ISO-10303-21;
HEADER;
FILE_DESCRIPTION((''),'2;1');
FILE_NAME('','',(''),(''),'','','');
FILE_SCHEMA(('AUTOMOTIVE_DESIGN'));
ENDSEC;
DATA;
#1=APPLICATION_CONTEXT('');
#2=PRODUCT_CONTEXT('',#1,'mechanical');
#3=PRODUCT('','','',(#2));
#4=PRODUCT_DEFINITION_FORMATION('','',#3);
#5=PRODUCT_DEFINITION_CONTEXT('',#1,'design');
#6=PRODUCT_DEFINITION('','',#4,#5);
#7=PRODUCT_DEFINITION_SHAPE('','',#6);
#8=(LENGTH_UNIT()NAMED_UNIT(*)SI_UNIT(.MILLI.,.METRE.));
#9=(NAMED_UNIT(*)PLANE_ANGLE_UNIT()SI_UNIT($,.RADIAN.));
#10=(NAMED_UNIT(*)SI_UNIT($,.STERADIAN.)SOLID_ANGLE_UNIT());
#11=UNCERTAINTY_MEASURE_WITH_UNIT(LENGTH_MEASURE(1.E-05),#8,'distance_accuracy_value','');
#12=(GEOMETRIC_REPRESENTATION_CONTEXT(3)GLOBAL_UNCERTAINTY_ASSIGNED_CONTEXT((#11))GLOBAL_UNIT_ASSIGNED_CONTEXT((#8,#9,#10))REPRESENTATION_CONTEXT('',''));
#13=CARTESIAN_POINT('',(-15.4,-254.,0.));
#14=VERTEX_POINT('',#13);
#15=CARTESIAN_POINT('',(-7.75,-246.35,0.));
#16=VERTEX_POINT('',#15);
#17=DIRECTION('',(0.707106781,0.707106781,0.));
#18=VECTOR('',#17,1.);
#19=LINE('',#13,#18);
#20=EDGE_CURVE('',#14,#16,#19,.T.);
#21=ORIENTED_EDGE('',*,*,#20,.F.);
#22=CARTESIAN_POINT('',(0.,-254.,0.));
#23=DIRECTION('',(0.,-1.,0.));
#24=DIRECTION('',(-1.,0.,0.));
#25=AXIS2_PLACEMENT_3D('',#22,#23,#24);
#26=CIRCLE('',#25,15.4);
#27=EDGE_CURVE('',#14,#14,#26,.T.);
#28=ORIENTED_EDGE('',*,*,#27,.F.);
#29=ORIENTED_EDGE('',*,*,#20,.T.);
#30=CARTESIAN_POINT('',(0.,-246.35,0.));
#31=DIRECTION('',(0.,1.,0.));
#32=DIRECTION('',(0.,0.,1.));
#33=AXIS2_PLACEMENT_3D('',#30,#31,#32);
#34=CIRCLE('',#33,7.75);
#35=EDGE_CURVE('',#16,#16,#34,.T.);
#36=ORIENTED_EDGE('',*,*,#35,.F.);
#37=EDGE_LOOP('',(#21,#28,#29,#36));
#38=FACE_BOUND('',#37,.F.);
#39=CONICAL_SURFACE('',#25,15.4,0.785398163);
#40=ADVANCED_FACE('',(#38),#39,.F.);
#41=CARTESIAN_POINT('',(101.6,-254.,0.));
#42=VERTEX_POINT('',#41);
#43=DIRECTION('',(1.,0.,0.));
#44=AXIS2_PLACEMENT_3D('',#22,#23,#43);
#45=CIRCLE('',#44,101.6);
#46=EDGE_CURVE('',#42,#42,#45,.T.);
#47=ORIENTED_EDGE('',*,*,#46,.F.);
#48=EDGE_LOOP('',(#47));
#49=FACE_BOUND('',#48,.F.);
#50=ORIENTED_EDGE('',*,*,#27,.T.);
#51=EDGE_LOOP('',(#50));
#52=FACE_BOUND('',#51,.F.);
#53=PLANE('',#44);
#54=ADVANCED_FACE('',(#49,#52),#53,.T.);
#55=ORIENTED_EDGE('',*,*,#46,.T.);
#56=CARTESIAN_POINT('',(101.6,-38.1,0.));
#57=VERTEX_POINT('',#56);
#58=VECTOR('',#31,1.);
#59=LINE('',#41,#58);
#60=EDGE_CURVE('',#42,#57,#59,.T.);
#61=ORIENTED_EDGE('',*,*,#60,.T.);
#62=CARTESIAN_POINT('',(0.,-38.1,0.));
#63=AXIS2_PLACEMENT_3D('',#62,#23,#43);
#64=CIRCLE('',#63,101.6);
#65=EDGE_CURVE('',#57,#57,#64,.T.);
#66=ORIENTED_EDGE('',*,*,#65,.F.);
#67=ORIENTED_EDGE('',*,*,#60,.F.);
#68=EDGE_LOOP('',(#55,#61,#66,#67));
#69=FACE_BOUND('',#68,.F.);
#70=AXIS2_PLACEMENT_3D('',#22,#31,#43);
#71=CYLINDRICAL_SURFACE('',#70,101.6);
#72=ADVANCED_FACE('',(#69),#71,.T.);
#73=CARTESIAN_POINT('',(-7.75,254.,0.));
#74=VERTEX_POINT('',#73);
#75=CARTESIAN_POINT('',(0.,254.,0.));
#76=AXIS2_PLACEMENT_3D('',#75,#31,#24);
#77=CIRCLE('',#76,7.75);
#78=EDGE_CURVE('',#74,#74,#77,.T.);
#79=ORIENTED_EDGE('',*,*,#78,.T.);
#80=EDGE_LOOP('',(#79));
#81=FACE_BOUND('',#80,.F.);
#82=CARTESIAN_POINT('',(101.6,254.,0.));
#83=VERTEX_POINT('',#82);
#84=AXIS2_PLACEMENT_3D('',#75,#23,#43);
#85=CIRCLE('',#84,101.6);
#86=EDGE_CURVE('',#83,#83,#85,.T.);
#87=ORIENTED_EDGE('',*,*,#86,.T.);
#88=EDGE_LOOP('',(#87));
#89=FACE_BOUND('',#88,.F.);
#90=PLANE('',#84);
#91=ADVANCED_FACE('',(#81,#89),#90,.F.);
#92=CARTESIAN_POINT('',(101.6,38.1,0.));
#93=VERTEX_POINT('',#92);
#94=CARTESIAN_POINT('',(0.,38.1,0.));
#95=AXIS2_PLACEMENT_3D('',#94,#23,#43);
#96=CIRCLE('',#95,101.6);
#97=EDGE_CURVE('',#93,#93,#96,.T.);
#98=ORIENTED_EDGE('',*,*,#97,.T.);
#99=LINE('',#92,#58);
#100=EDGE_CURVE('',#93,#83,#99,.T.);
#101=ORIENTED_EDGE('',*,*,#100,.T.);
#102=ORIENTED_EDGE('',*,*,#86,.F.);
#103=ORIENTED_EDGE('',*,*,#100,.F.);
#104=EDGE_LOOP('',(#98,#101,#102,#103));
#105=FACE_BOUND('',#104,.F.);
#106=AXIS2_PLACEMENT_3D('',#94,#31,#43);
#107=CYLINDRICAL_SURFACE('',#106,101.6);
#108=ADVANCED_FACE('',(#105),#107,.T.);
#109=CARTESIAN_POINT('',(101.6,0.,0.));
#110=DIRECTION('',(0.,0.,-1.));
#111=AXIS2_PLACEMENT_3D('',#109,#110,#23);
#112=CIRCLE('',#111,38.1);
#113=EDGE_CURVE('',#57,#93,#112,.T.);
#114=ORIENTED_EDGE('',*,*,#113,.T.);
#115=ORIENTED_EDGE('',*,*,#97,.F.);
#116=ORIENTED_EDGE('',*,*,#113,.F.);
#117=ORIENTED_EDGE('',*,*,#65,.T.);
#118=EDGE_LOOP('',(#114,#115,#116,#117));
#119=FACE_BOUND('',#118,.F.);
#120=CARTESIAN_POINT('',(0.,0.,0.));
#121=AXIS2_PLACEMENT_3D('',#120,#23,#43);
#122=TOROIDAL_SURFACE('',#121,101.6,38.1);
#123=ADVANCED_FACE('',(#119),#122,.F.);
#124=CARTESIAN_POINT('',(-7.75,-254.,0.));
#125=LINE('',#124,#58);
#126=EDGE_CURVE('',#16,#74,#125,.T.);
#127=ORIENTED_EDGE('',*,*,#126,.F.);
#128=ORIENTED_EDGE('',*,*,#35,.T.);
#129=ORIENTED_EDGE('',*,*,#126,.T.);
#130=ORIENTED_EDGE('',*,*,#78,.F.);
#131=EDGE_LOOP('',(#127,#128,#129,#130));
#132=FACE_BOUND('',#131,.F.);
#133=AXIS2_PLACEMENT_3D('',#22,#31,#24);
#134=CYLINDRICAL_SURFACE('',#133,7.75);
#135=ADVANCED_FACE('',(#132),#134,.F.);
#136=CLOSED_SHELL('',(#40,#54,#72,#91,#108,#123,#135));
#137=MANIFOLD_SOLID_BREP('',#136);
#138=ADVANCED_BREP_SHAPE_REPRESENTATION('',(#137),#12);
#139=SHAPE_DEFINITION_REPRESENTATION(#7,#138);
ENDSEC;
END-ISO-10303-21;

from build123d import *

# Parameters (mm, degrees)
F3_D           = 15.5
F3_CSINK_D     = 30.8
F3_CSINK_ANGLE = 90


with BuildPart() as f1:
    # F0 (on Top) → F1 (revolve)
    with BuildSketch(Plane.XY):
        with BuildLine():
            Line((101.6, 254), (0, 254))
            Line((0, 254), (0, -254))
            Line((0, -254), (101.6, -254))
            Line((101.6, -254), (101.6, -38.1))
            ThreePointArc((101.6, -38.1), (63.5, 0), (101.6, 38.1))
            Line((101.6, 38.1), (101.6, 254))
        make_face()
    revolve(axis=Axis((0, 0, 0), (0, -1, 0)))

    # F3 (through all)
    with Locations(Plane.XZ.offset(254)):
        with Locations((0, 0)):
            CounterSinkHole(F3_D / 2, F3_CSINK_D / 2, counter_sink_angle=F3_CSINK_ANGLE)


solid = f1.part
